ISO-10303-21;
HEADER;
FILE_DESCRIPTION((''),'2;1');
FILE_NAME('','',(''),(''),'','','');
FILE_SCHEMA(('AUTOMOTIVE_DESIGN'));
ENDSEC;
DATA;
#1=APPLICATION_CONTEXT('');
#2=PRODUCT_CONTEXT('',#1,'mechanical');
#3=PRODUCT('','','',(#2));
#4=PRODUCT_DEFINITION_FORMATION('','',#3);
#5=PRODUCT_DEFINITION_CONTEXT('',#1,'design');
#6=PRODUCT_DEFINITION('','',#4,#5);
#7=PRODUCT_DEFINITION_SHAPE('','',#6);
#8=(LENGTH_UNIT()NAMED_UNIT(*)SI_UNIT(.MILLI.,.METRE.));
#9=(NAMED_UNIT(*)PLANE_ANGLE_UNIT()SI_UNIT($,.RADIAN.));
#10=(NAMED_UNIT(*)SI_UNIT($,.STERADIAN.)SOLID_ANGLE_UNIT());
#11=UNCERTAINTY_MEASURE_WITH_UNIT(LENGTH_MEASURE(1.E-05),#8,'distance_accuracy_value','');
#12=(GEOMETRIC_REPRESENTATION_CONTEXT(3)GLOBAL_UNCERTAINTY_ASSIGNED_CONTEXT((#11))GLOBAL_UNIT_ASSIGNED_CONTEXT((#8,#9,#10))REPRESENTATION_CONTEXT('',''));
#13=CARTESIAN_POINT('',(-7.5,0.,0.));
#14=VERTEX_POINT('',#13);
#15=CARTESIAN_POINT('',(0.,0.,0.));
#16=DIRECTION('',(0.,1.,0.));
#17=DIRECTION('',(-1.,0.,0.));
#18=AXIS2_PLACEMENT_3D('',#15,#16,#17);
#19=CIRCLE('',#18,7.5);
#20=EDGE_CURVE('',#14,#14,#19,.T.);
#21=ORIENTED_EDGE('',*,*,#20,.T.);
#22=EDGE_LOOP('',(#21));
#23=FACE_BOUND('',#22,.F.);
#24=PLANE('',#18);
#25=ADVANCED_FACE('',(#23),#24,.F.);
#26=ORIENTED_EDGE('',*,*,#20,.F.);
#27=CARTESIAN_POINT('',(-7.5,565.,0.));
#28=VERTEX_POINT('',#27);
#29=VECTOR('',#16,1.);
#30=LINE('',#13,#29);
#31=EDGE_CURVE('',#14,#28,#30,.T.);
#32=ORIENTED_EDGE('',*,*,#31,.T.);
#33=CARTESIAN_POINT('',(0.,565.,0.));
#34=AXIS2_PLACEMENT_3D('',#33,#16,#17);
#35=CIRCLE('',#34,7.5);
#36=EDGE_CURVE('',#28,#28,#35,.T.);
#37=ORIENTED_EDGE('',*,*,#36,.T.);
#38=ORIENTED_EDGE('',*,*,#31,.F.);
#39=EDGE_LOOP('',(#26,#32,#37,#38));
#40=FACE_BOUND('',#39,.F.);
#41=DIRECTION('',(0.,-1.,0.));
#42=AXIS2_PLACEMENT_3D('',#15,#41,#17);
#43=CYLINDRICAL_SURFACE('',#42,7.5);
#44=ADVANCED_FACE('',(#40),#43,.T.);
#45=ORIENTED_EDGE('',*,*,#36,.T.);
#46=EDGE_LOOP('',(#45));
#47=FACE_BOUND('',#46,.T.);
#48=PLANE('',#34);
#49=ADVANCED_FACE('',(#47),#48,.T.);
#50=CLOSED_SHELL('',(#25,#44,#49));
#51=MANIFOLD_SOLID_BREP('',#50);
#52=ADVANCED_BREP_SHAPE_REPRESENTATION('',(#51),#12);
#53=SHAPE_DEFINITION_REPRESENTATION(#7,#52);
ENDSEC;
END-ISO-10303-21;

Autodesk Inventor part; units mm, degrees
ref_plane "YZ Plane" through (0, 0, 0) normal (1, 0, 0) x (0, 1, 0)
ref_plane "XZ Plane" through (0, 0, 0) normal (0, 1, 0) x (-1, 0, 0)
ref_plane "XY Plane" through (0, 0, 0) normal (0, 0, 1) x (1, 0, 0)
sketch "Sketch1" plane through (0, 0, 0) normal (0, 1, 0) x (-1, 0, 0)
  circle A0 centre (0, 0) radius 7.5
  dimension "d0" = 15
extrude "Extrusion1" add sketch "Sketch1" along normal blind 565
properties part number "Y_Führungsstange"
